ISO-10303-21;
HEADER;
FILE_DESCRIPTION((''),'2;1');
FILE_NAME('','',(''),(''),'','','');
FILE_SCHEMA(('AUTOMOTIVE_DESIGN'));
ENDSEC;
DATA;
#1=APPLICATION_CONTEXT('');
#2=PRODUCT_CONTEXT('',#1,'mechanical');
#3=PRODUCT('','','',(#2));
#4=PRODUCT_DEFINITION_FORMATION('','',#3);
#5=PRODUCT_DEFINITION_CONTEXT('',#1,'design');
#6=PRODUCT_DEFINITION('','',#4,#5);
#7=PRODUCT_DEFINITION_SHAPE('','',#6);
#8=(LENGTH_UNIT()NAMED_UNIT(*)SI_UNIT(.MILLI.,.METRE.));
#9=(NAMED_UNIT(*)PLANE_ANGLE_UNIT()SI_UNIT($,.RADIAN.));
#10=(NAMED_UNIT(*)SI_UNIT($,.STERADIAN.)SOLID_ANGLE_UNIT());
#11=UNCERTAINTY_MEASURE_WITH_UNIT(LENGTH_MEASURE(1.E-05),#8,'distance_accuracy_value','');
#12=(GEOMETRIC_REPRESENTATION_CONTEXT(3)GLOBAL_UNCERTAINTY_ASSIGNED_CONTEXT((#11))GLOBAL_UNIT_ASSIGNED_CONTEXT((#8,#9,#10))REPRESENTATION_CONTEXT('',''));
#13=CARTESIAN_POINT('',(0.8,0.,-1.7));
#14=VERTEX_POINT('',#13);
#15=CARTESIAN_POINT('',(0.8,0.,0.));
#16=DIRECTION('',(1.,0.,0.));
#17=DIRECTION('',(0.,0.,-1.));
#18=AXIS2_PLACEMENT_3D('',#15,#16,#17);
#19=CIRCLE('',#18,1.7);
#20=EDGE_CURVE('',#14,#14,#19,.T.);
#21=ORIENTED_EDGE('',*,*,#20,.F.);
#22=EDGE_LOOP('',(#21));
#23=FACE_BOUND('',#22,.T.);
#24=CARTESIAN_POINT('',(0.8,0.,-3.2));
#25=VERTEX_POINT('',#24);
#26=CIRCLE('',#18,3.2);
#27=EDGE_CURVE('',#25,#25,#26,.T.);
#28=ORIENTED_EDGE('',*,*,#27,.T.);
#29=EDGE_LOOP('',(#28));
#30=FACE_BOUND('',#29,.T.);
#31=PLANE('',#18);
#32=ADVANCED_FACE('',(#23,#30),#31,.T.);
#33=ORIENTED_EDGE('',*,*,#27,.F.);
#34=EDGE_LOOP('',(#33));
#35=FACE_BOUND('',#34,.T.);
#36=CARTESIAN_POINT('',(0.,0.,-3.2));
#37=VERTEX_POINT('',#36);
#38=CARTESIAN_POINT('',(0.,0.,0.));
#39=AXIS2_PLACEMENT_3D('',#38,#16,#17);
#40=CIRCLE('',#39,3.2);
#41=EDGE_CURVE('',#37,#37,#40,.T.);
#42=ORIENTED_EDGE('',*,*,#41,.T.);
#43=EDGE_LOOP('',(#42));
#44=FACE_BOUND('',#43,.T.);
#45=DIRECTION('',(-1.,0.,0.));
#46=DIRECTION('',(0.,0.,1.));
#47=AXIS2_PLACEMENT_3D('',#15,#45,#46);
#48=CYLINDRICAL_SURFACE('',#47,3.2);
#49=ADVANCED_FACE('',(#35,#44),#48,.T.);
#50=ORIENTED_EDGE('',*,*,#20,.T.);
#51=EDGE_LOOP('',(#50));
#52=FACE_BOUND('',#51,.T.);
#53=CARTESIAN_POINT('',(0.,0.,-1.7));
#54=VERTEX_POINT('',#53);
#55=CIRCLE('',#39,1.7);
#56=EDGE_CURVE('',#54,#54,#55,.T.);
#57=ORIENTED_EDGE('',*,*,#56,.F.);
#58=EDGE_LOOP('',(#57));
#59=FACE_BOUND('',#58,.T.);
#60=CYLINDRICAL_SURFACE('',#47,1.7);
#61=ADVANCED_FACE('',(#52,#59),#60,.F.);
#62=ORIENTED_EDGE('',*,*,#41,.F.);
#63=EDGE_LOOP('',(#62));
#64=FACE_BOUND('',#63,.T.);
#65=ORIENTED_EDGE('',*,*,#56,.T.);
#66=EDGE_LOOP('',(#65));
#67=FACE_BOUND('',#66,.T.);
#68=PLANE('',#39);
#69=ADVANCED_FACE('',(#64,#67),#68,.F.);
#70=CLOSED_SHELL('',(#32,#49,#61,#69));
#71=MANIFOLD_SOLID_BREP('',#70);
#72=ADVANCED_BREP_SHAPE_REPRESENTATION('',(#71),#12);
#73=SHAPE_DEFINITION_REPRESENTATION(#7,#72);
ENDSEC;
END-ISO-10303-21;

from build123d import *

# Parameters (mm, degrees)
SKETCH_1_R      = 3.2
SKETCH_1_R_2    = 1.7
EXTRUDE_1_DEPTH = 0.8


with BuildPart() as part:
    # 草图1 → 凸台-拉伸1 (new body)
    with BuildSketch(Plane(origin=(0, 0, 0), x_dir=(0, 0, -1), z_dir=(1, 0, 0))):
        Circle(SKETCH_1_R)
        Circle(SKETCH_1_R_2, mode=Mode.SUBTRACT)
    extrude(amount=EXTRUDE_1_DEPTH)


solid = part.part
